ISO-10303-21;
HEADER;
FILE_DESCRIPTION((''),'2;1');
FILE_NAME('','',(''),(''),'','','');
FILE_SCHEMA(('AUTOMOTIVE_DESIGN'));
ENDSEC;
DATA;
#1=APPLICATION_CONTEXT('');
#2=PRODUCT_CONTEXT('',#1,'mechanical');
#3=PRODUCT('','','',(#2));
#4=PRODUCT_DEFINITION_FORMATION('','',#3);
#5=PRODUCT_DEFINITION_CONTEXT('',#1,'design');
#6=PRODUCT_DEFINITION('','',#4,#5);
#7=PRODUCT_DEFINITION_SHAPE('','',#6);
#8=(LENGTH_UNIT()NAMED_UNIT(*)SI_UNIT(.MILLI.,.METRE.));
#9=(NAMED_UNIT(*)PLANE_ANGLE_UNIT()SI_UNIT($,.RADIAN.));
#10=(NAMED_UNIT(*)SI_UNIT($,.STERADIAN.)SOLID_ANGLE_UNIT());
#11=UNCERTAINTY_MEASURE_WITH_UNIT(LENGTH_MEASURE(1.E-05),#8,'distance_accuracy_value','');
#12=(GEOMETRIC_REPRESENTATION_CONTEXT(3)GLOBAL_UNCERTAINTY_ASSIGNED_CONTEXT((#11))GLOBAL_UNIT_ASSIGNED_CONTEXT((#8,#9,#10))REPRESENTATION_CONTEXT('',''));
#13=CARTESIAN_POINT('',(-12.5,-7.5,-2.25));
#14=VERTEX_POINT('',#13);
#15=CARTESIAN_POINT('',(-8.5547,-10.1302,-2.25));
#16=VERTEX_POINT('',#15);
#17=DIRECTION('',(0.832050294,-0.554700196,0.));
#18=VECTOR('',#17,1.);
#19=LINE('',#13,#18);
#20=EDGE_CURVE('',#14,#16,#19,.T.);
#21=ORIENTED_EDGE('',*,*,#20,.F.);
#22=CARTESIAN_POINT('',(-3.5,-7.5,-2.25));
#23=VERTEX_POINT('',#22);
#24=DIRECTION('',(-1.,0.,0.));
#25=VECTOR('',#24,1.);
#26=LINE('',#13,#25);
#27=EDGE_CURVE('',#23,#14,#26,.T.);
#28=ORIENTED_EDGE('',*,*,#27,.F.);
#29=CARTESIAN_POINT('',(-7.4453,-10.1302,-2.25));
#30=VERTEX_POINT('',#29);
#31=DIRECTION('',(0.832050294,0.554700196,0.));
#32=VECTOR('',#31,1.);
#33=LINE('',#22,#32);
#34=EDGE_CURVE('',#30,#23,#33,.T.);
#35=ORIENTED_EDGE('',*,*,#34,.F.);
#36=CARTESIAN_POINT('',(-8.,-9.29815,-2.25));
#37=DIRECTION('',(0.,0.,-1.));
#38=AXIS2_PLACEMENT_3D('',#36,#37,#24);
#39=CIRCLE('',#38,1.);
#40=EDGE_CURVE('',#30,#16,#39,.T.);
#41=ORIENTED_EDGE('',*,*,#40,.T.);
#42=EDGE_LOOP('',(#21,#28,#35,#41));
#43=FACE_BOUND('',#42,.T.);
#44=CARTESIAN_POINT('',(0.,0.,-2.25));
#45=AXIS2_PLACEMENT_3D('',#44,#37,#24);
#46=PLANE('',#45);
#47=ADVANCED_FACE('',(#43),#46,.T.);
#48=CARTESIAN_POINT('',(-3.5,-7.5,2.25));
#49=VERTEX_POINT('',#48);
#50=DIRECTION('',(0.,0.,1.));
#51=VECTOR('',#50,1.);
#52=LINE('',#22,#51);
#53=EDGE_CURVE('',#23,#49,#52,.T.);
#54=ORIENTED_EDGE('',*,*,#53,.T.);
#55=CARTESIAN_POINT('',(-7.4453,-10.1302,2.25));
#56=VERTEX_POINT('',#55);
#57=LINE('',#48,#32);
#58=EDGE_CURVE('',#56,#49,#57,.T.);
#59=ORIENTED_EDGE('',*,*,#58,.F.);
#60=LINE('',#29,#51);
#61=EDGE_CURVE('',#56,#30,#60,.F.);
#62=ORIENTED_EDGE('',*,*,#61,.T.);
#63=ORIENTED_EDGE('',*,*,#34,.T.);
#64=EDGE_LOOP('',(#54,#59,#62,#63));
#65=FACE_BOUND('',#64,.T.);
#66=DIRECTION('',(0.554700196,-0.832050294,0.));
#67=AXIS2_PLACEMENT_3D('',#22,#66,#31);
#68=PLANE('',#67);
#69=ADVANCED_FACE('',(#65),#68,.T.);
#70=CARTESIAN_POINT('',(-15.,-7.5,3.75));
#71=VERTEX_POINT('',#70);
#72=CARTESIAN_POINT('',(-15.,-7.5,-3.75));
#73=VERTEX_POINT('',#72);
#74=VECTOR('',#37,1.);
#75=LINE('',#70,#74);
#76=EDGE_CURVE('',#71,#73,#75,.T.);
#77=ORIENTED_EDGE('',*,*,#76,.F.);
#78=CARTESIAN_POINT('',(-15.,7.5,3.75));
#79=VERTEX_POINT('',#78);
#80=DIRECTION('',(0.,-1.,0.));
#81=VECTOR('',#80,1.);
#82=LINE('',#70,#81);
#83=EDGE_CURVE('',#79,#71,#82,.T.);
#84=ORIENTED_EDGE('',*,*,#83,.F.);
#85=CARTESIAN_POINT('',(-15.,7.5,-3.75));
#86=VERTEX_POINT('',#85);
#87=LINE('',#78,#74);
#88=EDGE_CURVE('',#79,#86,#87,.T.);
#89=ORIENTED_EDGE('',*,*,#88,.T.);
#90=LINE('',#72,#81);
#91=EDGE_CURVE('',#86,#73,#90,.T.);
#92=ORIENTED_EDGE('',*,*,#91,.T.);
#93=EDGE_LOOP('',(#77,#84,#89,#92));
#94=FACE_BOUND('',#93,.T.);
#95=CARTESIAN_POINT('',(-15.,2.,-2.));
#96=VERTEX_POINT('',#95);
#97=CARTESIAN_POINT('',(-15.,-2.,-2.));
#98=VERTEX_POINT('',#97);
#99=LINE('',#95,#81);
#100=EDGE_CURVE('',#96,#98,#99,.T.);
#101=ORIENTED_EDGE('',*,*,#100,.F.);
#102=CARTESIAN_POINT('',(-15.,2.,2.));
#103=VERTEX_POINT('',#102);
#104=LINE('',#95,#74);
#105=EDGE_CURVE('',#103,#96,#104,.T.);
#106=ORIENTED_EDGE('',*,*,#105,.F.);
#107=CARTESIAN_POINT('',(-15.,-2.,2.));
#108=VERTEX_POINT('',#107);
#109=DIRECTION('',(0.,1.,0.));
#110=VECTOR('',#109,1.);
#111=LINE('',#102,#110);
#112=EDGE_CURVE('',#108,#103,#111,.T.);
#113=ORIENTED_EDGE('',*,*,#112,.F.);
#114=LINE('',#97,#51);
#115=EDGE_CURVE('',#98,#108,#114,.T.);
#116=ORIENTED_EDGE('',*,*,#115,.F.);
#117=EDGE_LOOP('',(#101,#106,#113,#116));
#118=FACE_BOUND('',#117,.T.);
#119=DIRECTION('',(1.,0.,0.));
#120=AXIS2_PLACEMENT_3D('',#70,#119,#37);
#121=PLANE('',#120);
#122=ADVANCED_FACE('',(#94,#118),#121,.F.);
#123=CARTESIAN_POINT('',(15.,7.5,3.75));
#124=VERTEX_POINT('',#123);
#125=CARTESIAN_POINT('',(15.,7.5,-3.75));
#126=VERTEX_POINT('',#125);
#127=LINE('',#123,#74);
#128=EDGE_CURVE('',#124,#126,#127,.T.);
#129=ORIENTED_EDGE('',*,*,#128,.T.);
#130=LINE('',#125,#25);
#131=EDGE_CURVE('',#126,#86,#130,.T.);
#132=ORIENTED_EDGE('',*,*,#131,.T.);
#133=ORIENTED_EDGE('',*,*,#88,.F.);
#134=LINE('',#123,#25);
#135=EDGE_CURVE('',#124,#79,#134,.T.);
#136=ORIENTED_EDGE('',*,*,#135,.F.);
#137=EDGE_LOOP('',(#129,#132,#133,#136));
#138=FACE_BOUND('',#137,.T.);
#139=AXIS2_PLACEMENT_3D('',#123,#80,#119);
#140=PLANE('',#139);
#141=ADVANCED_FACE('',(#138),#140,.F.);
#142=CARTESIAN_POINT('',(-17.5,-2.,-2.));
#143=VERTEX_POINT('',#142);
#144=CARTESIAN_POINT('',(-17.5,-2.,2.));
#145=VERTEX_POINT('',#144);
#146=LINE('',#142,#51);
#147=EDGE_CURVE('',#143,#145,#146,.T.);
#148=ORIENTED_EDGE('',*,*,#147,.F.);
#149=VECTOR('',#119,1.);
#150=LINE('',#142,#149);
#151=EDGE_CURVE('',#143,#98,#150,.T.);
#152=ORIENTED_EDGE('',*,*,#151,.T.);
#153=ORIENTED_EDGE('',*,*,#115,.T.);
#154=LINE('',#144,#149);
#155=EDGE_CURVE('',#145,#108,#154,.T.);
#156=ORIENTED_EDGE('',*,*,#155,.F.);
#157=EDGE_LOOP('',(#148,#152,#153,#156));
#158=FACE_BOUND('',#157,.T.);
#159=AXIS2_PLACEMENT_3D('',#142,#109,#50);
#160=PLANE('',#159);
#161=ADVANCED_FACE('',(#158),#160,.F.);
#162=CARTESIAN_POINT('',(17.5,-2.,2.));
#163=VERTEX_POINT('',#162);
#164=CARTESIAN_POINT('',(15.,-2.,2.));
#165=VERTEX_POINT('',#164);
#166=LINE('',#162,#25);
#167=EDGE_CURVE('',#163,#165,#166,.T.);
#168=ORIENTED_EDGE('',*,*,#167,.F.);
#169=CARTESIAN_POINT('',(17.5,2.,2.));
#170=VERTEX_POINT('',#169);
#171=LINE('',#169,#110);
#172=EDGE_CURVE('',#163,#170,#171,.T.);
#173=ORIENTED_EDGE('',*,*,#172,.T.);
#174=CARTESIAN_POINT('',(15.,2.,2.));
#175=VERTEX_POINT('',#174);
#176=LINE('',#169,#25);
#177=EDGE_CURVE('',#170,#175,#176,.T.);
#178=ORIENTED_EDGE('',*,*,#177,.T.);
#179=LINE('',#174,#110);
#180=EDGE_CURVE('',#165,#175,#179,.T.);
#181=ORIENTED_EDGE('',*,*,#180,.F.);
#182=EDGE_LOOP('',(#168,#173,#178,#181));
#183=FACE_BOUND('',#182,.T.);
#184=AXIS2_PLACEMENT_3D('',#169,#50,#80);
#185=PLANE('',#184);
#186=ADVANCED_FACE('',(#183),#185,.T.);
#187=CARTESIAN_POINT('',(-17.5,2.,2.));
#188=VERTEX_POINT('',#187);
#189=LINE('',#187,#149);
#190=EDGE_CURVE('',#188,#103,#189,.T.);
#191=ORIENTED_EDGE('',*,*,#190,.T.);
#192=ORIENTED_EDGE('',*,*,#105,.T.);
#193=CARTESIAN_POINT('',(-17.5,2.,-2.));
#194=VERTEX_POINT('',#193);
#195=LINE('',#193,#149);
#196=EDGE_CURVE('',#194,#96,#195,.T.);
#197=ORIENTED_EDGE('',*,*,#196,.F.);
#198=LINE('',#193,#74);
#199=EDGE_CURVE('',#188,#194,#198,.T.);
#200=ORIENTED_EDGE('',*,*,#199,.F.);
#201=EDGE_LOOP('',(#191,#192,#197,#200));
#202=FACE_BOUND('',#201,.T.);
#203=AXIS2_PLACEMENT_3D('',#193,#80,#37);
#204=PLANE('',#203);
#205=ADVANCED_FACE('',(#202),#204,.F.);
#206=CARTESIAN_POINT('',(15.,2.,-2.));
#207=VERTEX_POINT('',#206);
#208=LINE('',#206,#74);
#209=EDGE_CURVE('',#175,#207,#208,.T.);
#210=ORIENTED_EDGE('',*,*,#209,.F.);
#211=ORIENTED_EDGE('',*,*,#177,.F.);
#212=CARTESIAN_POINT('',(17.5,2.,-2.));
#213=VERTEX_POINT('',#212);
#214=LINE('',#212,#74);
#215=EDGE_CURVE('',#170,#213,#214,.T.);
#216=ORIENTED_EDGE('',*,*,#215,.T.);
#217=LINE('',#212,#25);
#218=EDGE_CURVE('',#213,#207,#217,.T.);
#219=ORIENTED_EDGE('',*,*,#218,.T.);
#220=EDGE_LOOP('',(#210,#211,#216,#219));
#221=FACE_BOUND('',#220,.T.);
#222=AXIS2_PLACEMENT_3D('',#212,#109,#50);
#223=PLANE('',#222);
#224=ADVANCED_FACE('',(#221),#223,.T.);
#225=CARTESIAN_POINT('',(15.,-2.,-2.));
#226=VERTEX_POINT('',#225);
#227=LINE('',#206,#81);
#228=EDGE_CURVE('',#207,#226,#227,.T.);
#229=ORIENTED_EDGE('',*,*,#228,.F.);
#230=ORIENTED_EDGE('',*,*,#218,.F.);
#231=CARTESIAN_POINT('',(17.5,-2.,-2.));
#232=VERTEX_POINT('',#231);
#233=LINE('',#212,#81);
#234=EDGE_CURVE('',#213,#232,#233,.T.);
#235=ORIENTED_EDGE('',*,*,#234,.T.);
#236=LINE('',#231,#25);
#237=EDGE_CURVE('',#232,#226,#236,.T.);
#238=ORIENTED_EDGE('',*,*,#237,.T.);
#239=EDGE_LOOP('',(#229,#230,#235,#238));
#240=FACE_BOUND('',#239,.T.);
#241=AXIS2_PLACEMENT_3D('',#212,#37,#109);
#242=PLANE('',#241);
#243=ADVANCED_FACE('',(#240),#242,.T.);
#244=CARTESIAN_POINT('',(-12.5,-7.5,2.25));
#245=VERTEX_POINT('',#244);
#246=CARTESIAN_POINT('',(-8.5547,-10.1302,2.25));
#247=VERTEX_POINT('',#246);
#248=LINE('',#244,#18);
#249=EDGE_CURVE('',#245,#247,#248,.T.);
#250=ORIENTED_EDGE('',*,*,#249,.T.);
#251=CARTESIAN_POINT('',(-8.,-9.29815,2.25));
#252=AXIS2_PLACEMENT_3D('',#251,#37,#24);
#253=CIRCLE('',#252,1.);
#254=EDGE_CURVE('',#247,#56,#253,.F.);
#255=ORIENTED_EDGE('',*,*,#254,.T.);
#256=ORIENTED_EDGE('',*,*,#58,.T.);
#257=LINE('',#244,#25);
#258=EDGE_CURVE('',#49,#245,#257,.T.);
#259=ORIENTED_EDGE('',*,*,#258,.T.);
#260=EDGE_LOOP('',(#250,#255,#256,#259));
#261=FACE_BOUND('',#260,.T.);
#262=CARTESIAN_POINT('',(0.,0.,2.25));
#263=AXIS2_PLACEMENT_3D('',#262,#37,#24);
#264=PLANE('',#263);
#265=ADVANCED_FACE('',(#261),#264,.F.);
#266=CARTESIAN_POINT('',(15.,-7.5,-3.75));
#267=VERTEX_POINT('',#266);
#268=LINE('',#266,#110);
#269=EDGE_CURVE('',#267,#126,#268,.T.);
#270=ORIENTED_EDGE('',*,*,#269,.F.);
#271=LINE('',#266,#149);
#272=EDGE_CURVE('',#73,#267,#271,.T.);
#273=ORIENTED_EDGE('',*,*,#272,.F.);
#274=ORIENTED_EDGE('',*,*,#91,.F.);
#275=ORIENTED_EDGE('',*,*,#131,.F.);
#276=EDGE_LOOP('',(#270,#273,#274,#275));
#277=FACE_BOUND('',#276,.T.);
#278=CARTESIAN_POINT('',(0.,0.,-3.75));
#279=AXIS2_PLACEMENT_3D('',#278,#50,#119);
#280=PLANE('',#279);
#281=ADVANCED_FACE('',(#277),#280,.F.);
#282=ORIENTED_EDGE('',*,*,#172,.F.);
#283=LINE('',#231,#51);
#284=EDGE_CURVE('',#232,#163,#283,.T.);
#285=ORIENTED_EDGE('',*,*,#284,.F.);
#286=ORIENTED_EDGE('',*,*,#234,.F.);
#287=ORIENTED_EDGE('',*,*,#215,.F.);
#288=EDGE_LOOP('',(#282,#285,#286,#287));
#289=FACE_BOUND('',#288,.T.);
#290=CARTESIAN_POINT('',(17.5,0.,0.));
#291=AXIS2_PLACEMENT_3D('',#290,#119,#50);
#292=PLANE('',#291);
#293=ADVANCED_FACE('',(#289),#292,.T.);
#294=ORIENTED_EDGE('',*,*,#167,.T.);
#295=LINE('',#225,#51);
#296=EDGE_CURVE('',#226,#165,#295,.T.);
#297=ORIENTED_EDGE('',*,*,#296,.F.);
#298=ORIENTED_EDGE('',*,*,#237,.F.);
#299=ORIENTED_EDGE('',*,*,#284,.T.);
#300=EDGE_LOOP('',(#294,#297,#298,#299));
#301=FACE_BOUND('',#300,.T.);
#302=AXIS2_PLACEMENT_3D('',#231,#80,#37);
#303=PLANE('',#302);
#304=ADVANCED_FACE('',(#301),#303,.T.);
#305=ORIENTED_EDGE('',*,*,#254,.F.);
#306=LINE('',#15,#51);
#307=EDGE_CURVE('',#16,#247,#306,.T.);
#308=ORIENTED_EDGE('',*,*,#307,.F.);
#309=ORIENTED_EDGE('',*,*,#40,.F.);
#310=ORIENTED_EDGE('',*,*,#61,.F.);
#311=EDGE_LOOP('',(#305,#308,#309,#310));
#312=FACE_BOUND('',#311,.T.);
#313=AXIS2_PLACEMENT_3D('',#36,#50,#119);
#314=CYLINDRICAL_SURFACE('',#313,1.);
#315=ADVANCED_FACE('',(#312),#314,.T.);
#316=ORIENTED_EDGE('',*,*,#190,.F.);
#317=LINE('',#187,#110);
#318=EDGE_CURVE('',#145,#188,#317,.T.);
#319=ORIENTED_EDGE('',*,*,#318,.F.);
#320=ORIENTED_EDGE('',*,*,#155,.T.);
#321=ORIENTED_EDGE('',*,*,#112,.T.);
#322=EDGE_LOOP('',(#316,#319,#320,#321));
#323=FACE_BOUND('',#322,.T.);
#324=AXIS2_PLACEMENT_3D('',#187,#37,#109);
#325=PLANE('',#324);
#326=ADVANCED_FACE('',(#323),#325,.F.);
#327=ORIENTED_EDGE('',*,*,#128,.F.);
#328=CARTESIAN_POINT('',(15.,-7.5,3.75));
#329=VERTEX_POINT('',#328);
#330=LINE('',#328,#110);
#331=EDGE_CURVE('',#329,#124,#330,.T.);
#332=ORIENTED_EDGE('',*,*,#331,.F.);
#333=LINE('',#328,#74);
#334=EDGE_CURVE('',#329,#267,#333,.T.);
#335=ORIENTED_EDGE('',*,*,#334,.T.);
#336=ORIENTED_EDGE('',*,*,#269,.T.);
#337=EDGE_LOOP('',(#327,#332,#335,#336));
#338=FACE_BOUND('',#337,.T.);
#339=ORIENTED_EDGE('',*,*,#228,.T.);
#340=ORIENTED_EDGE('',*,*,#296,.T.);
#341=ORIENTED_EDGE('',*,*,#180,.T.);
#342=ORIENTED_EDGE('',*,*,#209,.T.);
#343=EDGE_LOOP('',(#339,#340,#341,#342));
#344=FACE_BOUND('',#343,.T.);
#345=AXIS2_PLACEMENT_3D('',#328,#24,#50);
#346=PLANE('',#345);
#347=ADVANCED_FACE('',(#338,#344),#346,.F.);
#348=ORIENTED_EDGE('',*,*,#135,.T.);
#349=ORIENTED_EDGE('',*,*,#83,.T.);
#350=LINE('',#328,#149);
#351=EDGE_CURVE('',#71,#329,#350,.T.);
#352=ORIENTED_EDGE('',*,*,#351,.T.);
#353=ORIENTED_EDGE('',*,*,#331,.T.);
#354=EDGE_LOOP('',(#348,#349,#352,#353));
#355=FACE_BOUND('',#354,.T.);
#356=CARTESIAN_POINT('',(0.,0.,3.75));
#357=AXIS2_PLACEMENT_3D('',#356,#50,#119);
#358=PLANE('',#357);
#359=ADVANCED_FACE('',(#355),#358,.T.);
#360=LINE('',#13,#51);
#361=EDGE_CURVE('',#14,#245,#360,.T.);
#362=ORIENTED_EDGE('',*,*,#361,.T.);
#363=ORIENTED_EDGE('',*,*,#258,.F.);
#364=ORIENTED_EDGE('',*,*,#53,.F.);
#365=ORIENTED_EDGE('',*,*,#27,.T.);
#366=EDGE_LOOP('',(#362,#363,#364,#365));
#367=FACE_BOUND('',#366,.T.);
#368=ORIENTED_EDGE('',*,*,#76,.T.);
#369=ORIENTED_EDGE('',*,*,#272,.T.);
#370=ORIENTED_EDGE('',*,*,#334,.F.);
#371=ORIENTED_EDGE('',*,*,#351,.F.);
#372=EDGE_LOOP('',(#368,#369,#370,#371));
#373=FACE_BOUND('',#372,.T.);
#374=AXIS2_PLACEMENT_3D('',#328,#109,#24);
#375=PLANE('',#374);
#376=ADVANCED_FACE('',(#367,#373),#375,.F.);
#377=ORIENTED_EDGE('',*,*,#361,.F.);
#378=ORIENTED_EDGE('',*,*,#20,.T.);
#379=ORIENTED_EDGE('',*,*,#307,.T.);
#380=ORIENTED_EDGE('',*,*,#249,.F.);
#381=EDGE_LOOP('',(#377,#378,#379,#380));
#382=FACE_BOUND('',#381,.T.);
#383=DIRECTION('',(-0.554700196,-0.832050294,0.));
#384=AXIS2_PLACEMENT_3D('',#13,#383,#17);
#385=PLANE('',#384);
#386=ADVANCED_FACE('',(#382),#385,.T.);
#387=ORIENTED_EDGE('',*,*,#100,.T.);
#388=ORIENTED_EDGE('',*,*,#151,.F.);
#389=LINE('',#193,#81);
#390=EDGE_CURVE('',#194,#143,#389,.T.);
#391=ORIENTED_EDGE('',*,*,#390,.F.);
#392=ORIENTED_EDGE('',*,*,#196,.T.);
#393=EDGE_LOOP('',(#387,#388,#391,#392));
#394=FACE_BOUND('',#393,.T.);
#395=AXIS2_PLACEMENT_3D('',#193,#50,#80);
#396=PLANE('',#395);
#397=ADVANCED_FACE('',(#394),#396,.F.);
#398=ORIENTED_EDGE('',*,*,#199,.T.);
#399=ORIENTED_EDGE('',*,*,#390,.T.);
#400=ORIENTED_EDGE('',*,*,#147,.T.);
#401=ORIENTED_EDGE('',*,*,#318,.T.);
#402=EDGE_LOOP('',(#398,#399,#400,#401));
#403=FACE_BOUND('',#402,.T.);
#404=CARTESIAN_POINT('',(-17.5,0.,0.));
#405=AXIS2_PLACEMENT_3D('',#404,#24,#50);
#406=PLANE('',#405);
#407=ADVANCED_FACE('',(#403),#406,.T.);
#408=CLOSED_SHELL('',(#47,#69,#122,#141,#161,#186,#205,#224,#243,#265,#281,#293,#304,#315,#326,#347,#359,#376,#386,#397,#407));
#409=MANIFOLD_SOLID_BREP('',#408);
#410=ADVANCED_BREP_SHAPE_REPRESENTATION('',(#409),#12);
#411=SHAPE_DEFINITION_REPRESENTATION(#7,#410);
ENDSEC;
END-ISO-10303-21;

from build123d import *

# Parameters (mm, degrees)
SKETCH_1_W      = 30
SKETCH_1_H      = 15
EXTRUDE_1_DEPTH = 3.75
SKETCH_2_W      = 4
SKETCH_2_H      = 4
EXTRUDE_2_DEPTH = 2.5
EXTRUDE_3_DEPTH = 2.25
FILLET_1_R      = 1


with BuildPart() as part:
    # 草图1 → 凸台-拉伸1 (new, symmetric)
    with BuildSketch(Plane.XY):
        Rectangle(SKETCH_1_W, SKETCH_1_H)
    extrude(amount=EXTRUDE_1_DEPTH, both=True)

    # 草图2 → 凸台-拉伸2 (add)
    with BuildSketch(Plane.ZY.offset(15)):
        Rectangle(SKETCH_2_W, SKETCH_2_H)
    extrude_2 = extrude(amount=EXTRUDE_2_DEPTH)

    # 镜向1: 凸台-拉伸2 across plane
    add(extrude_2.mirror(Plane(origin=(0, 0, 0), x_dir=(0, 0, 1), z_dir=(1, 0, 0))))

    # 草图4 → 凸台-拉伸3 (add, symmetric)
    with BuildSketch(Plane.XY):
        Polygon((-12.5, -7.5), (-8, -10.5), (-3.5, -7.5), align=None)
    extrude(amount=EXTRUDE_3_DEPTH, both=True)

    # 圆角1
    fillet_1_edges = [part.edges().sort_by_distance(p)[0] for p in [
        (-8, -10.5, 0),
    ]]
    fillet(fillet_1_edges, radius=FILLET_1_R)


solid = part.part
